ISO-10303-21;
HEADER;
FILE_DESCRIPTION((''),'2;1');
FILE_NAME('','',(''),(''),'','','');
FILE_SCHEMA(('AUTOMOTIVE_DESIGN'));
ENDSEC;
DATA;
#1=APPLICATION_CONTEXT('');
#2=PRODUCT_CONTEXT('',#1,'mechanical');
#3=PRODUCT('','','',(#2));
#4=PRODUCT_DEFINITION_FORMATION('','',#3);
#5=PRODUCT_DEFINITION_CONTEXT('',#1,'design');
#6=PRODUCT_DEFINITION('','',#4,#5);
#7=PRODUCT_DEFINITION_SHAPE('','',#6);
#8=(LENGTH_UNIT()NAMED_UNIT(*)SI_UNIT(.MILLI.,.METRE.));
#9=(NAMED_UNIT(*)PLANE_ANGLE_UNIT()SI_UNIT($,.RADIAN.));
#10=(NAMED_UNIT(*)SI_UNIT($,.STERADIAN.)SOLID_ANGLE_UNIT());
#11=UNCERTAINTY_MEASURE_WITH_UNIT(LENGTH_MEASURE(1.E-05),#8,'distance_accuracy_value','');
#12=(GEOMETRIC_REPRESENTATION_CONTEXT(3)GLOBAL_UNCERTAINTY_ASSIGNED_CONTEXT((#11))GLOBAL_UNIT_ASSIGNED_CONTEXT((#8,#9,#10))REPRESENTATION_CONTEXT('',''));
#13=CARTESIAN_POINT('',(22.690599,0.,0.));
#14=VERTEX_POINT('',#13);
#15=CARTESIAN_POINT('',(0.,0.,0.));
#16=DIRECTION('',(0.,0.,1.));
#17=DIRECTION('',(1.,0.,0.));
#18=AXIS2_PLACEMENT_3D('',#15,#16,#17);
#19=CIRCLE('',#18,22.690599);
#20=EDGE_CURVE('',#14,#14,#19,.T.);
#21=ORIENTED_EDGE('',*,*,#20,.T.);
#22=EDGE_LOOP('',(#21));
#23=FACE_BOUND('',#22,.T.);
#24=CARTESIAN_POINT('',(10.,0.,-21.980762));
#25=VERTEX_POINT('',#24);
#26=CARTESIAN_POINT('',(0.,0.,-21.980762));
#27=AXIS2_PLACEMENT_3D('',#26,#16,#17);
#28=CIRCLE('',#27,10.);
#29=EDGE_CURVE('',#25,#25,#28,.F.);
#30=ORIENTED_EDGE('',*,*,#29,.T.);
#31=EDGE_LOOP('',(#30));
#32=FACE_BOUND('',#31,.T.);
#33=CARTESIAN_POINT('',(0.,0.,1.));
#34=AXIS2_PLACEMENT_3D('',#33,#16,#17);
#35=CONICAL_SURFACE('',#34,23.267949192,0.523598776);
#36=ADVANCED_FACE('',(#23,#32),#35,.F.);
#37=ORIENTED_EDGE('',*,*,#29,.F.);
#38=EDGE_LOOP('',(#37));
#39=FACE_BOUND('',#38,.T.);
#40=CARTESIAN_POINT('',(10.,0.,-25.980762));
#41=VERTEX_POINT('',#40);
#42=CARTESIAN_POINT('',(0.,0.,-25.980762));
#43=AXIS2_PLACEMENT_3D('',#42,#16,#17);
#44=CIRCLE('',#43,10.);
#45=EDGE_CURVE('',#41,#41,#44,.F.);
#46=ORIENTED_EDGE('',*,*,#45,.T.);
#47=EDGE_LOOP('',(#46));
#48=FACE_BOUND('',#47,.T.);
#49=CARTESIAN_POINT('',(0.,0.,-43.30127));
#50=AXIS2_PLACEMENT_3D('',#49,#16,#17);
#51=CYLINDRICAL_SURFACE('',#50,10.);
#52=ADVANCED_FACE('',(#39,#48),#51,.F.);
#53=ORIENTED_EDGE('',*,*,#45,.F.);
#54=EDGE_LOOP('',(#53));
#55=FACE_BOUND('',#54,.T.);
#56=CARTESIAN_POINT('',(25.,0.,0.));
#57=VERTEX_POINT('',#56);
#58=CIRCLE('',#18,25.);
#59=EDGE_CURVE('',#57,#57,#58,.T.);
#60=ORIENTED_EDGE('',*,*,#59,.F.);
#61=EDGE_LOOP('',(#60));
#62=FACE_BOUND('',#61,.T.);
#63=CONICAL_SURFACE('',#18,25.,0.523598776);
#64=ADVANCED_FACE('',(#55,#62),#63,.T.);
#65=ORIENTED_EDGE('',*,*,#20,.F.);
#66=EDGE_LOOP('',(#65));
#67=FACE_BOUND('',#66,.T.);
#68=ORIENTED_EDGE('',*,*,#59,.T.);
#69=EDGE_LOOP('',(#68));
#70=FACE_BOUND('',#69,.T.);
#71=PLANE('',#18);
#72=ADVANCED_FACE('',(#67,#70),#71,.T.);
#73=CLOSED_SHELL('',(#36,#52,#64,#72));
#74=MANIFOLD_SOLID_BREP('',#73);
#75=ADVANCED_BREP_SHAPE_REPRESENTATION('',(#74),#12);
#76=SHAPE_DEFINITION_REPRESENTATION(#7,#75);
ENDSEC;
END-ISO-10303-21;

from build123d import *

# Parameters (mm, degrees)
WANDUNG1_T                           = -2
SCHNITT_LINEAR_AUSTRAGEN1_DEPTH      = 56.901699437
SCHNITT_LINEAR_AUSTRAGEN1_DEPTH_BACK = 56.901699437
SKIZZE3_R                            = 10


with BuildPart() as part:
    # Aufsatz-Linear austragen1 cone 1 section (through the dimple's axis) → Aufsatz-Linear austragen1 (revolve)
    with BuildSketch(Plane(origin=(0, 0, 0), x_dir=(0, -1, 0), z_dir=(1, 0, 0))):
        Polygon((0, 0), (25, 0), (0, 43.301270189), align=None)
    revolve(axis=Axis((0, 0, 0), (0, 0, -1)))

    # Wandung1
    wandung1_openings = [part.faces().sort_by_distance(p)[0] for p in [
        (0, 0, 0),
    ]]
    offset(amount=WANDUNG1_T, openings=wandung1_openings, kind=Kind.INTERSECTION)

    # Skizze3 → Schnitt-Linear austragen1 (cut, two sides: drawn at the far end of the back side and taken through both)
    with BuildSketch(Plane.XY.offset(-SCHNITT_LINEAR_AUSTRAGEN1_DEPTH_BACK)):
        Circle(SKIZZE3_R)
    extrude(amount=SCHNITT_LINEAR_AUSTRAGEN1_DEPTH + SCHNITT_LINEAR_AUSTRAGEN1_DEPTH_BACK, mode=Mode.SUBTRACT)


solid = part.part
